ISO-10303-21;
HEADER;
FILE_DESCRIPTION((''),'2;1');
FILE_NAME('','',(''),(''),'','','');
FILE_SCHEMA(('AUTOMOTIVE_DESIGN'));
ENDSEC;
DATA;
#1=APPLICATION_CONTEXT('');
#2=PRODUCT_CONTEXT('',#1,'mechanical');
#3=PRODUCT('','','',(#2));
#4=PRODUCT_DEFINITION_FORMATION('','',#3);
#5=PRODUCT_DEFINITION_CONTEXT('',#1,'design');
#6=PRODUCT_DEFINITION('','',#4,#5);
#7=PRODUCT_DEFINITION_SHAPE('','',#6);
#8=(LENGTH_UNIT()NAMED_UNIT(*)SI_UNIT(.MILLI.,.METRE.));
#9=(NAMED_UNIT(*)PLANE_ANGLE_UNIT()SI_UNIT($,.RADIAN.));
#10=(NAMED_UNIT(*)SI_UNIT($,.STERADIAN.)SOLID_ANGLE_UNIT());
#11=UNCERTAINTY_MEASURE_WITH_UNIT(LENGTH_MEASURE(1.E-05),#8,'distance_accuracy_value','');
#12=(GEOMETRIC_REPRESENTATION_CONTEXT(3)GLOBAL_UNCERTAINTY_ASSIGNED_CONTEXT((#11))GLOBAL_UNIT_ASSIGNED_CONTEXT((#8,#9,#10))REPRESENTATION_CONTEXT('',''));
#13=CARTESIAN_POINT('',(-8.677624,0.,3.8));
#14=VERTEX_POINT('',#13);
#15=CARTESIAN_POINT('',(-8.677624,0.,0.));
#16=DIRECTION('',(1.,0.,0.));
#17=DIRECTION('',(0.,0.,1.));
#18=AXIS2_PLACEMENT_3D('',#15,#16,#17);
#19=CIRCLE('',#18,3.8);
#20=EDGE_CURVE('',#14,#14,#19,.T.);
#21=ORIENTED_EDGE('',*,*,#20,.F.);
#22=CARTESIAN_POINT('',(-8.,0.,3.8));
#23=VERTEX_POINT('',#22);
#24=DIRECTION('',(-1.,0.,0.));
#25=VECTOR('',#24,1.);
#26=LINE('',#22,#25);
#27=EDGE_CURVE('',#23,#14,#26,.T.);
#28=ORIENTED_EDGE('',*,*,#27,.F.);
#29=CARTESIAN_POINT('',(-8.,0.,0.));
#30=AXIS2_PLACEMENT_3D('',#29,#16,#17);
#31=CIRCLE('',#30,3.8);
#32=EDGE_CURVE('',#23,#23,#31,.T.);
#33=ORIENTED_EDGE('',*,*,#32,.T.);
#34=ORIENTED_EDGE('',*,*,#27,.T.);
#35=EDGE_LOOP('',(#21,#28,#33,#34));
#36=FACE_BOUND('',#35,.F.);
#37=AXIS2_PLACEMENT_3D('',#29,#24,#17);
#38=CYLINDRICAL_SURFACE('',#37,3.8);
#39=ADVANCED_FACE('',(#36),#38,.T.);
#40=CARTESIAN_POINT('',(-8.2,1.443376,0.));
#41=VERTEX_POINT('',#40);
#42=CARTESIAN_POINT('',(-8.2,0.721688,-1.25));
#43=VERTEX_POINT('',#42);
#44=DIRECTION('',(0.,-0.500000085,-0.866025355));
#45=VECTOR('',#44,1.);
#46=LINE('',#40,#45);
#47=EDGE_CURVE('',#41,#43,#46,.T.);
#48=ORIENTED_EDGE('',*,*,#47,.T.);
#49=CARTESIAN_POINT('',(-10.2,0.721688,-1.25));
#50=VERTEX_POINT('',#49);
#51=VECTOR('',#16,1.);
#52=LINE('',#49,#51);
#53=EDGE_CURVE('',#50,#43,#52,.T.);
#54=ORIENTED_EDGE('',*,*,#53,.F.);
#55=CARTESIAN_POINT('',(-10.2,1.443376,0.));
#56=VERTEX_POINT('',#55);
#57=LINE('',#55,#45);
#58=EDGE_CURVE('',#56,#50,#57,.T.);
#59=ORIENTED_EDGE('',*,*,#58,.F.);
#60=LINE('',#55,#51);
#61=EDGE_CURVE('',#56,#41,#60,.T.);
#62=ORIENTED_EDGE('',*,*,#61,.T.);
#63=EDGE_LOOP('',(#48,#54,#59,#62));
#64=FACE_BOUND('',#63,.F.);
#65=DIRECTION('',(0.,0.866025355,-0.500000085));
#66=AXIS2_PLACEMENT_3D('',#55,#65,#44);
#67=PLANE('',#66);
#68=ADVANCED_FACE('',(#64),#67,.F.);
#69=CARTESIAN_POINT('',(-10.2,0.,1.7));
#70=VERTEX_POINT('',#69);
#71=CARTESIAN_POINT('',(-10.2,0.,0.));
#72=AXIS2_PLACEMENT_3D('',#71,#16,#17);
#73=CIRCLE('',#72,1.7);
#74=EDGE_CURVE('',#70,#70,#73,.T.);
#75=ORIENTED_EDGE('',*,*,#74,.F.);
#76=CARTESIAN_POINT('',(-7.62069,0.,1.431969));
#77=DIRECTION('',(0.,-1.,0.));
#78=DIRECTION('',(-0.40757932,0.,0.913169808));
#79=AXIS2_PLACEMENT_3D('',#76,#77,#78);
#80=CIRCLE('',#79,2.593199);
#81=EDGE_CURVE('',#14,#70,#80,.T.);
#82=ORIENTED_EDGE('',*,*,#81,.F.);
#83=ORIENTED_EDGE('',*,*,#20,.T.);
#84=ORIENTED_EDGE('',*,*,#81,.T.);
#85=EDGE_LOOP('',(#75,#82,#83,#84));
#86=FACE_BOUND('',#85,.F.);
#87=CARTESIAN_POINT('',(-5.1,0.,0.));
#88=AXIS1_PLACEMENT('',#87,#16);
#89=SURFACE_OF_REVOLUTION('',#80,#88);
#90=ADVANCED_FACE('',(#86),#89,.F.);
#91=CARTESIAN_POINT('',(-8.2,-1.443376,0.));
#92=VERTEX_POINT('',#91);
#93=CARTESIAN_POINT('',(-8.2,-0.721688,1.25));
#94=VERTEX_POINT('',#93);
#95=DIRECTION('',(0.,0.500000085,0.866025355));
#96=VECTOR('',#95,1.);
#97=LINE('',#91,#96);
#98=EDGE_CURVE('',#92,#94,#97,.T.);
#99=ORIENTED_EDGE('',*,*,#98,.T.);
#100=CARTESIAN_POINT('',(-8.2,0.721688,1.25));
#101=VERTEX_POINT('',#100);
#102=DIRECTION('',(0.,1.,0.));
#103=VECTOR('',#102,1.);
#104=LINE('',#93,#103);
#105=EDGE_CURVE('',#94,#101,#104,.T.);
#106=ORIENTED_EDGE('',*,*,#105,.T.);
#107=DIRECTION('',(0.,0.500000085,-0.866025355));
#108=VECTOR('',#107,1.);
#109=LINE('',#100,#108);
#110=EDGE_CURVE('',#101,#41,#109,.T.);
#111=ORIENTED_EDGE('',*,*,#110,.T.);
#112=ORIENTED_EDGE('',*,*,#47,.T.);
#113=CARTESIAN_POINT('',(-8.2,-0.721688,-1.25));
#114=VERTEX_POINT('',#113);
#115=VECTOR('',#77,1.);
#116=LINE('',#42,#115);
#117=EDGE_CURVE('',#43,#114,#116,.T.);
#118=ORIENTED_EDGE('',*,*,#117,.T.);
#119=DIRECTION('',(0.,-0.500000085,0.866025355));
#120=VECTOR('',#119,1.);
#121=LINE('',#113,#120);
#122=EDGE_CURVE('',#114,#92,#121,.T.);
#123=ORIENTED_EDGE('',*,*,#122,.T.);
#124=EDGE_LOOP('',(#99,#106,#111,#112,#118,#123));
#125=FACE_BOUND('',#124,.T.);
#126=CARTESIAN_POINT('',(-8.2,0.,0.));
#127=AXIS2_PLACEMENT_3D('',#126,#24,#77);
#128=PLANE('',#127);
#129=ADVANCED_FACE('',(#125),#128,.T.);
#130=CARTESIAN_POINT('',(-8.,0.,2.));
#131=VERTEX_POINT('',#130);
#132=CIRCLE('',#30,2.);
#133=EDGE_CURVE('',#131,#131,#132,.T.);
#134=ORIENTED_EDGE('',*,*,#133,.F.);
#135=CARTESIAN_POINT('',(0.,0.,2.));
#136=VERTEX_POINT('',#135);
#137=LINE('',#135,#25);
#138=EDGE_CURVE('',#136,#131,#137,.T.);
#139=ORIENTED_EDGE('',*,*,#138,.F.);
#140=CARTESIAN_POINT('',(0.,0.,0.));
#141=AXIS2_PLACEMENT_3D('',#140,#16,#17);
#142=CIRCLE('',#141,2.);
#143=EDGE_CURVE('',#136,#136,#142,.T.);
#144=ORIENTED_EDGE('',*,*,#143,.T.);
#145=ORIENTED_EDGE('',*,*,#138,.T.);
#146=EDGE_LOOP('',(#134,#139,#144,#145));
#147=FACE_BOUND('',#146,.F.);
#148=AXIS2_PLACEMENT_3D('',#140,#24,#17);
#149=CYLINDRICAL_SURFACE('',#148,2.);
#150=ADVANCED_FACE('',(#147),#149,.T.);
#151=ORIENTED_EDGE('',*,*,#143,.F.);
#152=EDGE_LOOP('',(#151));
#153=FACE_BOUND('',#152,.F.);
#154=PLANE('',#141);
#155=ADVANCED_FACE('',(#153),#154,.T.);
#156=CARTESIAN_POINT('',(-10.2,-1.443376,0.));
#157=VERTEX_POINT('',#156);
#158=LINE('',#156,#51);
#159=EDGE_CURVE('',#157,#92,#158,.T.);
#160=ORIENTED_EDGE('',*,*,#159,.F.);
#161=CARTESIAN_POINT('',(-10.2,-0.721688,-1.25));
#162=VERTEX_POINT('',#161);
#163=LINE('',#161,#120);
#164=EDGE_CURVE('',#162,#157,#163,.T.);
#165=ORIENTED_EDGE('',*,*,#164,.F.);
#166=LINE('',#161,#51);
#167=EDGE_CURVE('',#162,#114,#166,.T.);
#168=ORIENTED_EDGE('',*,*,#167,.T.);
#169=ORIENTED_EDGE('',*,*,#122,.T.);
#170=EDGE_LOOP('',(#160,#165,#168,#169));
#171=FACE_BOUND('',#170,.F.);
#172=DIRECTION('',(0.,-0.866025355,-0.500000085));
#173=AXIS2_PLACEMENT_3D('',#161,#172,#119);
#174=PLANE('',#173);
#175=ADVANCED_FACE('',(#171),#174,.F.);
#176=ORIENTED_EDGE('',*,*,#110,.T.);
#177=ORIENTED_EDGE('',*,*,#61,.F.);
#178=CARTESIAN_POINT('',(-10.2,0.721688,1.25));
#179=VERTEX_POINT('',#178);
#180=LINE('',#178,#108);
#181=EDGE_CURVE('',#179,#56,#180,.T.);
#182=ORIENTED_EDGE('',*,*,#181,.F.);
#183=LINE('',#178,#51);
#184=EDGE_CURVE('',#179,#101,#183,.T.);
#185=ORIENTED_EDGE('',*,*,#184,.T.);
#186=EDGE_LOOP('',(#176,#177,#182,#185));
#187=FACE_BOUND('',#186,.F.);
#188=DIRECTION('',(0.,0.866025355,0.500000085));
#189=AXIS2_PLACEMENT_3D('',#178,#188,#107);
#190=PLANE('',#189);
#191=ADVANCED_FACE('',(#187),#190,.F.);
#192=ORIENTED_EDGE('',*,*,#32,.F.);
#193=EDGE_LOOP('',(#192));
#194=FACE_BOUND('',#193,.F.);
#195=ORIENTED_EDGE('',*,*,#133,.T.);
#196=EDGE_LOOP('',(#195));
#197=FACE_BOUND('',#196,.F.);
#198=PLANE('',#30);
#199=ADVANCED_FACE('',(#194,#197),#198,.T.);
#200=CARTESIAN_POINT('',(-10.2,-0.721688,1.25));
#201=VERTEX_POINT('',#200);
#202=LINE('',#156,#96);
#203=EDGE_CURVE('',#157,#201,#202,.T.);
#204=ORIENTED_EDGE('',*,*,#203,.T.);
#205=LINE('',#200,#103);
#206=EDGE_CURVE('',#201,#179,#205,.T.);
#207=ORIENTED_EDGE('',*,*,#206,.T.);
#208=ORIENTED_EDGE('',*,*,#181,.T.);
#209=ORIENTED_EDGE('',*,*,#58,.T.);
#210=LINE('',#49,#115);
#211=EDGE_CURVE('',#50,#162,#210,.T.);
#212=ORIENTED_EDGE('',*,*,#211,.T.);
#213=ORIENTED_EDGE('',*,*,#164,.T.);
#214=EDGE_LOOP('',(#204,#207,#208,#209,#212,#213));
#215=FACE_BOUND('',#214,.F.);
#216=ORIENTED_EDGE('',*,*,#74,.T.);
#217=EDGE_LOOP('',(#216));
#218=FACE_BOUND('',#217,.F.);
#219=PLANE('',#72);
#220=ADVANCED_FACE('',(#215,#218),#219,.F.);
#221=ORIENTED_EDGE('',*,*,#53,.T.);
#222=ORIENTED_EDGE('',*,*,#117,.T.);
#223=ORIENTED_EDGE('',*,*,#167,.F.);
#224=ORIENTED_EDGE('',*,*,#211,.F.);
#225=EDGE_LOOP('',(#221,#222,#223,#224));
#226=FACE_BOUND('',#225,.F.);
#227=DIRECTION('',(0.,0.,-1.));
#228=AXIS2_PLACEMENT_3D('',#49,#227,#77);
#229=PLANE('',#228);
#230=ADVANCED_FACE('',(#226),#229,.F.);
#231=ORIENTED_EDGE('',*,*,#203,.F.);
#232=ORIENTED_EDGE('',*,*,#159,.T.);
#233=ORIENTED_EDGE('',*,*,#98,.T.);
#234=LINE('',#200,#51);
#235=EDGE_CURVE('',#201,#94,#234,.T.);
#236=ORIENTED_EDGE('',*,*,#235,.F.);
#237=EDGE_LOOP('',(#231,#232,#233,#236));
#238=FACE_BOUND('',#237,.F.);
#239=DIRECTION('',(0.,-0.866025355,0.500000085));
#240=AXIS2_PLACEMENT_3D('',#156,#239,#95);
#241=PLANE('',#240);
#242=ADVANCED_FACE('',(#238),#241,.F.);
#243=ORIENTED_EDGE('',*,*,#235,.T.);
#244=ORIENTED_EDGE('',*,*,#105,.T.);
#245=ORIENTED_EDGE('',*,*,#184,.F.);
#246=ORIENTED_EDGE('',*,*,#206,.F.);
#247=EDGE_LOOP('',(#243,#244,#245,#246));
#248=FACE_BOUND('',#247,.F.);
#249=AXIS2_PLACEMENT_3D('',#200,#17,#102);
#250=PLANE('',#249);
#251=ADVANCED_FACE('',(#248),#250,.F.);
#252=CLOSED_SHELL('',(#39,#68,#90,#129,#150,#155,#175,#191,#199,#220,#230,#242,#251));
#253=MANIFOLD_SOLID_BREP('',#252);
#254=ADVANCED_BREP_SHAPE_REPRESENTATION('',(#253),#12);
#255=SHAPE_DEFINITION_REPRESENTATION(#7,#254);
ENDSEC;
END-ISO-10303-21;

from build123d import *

# Parameters (mm, degrees)
F3_DEPTH = 2


with BuildPart() as f1:
    # F0 (on Front) → F1 (revolve)
    with BuildSketch(Plane.XZ):
        with BuildLine():
            Line((-10.2, 0), (0, 0))
            Line((0, 0), (0, 2))
            Line((0, 2), (-8, 2))
            Line((-8, 2), (-8, 3.8))
            Line((-8, 3.8), (-8.677624, 3.8))
            ThreePointArc((-8.677624, 3.8), (-9.72023, 2.954011), (-10.2, 1.7))
            Line((-10.2, 1.7), (-10.2, 0))
        make_face()
    revolve(axis=Axis((-5.1, 0, 0), (1, 0, 0)))

    # F2 (on face) → F3 (cut)
    with BuildSketch(Plane(origin=(-10.2, 0, 0), x_dir=(0, -1, 0), z_dir=(-1, 0, 0))):
        Polygon((0.721688, 1.25), (-0.721688, 1.25), (-1.443376, 0), (-0.721688, -1.25), (0.721688, -1.25), (1.443376, 0), align=None)
    extrude(amount=-F3_DEPTH, mode=Mode.SUBTRACT)


solid = f1.part
